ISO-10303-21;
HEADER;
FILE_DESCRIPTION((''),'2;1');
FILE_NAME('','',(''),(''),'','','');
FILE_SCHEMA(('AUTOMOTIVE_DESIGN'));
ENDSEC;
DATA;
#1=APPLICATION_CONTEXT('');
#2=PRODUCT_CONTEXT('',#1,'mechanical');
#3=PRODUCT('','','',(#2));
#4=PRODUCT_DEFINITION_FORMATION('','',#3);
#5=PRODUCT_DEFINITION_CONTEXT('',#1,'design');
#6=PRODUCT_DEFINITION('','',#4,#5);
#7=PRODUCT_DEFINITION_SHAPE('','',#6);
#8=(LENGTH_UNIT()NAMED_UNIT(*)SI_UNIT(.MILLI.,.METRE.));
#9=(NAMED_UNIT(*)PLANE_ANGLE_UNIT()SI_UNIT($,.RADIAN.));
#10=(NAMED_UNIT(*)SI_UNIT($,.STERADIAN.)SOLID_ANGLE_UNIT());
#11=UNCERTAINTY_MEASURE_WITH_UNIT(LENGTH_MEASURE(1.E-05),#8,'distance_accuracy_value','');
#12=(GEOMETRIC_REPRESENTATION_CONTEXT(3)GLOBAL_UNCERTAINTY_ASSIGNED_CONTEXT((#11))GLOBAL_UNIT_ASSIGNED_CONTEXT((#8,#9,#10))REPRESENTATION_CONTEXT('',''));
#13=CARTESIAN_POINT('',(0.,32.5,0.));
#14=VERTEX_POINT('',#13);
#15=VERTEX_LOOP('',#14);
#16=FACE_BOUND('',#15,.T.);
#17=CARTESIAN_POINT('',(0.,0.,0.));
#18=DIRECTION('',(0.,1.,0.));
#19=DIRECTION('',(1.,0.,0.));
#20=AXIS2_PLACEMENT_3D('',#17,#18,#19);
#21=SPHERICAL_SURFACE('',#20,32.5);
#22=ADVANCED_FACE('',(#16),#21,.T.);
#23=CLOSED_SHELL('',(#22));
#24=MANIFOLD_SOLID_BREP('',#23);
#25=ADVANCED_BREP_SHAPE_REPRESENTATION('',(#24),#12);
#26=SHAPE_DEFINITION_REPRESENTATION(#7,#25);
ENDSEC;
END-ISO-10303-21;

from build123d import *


with BuildPart() as part:
    # Esquisse2 → Révolution1 (revolve)
    with BuildSketch(Plane.XY):
        with BuildLine():
            Line((0, 32.5), (0, -32.5))
            ThreePointArc((0, -32.5), (32.5, 0), (0, 32.5))
        make_face()
    revolve(axis=Axis((0, 43.738322769, 0), (0, -1, 0)))


solid = part.part
